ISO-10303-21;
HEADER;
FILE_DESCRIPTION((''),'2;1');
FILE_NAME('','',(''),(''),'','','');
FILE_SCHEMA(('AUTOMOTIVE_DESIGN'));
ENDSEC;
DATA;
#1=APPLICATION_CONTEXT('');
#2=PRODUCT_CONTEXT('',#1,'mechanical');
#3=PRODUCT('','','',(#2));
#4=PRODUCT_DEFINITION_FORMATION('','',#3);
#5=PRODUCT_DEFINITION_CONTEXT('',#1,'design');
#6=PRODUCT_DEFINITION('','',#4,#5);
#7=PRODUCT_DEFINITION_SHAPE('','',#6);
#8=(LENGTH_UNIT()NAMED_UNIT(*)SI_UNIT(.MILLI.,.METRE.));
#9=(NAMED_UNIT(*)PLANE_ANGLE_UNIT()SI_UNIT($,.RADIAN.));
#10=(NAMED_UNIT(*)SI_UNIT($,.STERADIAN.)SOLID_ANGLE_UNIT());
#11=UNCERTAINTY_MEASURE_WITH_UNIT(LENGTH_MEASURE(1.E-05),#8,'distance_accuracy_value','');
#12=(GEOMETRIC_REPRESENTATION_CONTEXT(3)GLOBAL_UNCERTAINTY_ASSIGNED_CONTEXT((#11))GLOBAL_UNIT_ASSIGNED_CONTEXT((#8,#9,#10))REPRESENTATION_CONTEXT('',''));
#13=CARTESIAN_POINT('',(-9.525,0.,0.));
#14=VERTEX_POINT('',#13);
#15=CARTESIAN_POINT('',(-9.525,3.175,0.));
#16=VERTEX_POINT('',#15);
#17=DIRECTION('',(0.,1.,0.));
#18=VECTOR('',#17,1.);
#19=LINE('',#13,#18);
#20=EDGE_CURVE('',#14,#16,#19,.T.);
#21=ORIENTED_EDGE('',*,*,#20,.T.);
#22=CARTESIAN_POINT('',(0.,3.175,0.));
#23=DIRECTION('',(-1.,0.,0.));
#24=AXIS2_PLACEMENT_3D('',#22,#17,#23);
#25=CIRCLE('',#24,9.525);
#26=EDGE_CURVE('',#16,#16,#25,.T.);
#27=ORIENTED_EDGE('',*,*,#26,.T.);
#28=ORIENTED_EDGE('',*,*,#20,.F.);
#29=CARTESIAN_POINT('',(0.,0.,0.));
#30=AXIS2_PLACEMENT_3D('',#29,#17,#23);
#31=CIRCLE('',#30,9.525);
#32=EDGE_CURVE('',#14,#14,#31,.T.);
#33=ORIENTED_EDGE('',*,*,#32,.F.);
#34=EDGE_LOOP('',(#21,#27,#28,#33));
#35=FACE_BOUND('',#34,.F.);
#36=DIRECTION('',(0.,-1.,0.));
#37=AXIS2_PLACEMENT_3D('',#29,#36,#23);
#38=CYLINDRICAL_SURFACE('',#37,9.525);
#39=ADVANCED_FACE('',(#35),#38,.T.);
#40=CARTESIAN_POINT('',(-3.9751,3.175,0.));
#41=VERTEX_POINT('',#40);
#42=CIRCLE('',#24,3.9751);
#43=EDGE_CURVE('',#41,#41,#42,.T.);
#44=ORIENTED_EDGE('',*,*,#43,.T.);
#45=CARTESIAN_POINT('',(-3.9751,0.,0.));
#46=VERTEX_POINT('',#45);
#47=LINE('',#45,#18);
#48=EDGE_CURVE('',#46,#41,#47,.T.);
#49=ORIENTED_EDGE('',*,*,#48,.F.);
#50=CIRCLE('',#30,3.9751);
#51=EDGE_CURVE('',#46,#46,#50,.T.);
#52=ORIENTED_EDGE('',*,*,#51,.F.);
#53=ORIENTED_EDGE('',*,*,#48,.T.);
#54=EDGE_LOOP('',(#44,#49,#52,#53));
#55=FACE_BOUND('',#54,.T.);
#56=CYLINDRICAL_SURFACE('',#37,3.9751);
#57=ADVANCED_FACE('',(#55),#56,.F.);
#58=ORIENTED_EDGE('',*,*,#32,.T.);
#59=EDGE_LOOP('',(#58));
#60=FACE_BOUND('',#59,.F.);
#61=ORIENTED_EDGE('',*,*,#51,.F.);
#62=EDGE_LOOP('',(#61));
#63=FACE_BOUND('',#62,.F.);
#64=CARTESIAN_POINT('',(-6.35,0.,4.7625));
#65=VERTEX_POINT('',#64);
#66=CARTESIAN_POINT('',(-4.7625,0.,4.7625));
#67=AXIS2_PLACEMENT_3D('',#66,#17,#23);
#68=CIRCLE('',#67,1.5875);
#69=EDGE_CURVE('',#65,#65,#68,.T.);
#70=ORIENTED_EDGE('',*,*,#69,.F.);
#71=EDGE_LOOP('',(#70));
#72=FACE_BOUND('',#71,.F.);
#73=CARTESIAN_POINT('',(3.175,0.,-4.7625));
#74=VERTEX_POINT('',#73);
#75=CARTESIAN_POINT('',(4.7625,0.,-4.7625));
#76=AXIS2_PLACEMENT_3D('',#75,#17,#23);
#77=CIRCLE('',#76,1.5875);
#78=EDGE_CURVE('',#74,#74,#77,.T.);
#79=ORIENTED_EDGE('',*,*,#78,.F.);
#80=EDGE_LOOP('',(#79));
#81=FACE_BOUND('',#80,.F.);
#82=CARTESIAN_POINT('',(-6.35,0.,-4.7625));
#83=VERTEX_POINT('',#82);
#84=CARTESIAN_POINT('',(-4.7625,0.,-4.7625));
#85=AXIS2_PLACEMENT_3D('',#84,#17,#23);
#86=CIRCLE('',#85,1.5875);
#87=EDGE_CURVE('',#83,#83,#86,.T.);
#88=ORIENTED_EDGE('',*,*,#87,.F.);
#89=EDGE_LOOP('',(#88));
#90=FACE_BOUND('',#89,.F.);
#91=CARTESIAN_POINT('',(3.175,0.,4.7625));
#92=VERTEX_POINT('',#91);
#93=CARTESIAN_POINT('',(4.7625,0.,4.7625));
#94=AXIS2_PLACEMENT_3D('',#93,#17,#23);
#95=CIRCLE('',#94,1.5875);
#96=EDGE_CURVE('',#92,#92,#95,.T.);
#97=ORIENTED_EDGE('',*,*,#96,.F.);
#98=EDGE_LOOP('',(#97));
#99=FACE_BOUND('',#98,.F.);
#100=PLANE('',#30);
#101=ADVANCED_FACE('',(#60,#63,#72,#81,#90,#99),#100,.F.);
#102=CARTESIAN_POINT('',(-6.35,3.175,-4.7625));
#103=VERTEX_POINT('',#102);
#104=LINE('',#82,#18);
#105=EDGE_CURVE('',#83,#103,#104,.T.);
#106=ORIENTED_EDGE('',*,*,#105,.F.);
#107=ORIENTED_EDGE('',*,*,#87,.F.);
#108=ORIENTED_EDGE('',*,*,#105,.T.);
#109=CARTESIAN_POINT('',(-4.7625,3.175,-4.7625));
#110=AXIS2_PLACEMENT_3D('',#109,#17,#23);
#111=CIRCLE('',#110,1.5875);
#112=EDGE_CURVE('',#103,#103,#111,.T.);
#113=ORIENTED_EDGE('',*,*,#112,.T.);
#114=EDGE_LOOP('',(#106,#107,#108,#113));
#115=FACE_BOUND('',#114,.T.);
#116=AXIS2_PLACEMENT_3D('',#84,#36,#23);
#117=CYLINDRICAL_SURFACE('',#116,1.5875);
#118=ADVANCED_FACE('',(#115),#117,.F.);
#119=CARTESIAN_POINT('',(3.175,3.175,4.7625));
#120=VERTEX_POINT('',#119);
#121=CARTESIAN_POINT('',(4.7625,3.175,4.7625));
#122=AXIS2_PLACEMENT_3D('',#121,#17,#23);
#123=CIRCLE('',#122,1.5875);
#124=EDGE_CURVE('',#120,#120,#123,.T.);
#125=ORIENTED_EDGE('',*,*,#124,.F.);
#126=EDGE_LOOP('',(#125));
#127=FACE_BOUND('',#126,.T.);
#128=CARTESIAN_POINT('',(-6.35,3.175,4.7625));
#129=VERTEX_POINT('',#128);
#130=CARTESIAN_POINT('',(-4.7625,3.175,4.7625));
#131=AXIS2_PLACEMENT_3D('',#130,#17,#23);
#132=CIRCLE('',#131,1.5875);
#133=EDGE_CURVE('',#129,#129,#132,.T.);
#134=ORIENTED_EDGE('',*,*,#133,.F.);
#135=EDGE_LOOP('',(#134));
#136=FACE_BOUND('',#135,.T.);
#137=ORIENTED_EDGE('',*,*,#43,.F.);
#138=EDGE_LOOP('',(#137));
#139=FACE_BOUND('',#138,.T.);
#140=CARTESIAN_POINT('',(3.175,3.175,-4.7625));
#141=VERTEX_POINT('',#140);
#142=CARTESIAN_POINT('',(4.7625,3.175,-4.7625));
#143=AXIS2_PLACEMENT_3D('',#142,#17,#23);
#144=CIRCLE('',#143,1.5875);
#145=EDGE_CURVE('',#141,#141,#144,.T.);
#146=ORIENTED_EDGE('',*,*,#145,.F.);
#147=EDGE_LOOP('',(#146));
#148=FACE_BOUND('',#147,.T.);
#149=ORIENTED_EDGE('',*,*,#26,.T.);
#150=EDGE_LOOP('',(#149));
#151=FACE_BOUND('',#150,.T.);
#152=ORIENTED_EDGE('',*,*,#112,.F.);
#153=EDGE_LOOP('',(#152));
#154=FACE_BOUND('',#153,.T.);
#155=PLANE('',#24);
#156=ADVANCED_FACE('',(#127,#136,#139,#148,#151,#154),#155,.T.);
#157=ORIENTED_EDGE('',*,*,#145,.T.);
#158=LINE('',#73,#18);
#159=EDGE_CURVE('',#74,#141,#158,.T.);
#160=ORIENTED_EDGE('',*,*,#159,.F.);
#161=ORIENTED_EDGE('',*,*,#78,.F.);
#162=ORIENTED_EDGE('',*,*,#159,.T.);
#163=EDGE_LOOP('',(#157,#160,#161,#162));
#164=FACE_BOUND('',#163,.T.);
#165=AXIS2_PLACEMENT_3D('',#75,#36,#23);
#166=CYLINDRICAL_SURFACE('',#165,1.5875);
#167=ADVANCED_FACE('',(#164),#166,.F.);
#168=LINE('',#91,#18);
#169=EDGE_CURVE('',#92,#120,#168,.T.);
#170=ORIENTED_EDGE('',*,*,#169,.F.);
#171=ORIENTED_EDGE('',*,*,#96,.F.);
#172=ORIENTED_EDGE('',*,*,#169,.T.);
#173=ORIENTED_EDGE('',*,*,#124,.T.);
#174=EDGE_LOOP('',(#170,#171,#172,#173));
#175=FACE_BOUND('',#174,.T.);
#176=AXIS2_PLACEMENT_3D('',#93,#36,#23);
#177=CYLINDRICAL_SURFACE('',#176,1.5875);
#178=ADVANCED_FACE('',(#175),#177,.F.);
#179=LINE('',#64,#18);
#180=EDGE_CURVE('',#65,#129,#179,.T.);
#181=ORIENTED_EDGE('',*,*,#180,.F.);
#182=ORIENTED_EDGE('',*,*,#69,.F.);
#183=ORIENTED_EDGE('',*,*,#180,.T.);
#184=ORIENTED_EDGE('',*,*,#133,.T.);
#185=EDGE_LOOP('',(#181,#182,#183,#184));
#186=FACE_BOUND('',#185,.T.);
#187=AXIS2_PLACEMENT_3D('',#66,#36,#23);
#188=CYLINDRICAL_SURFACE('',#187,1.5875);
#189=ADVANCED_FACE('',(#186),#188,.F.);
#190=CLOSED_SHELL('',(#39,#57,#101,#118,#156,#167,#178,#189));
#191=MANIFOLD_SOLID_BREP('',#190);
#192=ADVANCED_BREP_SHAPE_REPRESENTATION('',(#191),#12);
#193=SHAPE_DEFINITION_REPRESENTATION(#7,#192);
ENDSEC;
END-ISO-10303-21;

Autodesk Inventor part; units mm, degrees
ref_plane "YZ Plane" through (0, 0, 0) normal (1, 0, 0) x (0, 1, 0)
ref_plane "XZ Plane" through (0, 0, 0) normal (0, 1, 0) x (-1, 0, 0)
ref_plane "XY Plane" through (0, 0, 0) normal (0, 0, 1) x (1, 0, 0)
sketch "Sketch1" plane through (0, 0, 0) normal (0, 1, 0) x (-1, 0, 0)
  circle A0 centre (0, 0) radius 9.525
  circle A1 centre (0, 0) radius 3.9751
  circle A2 centre (4.7625, 4.7625) radius 1.5875
  circle A3 centre (-4.7625, 4.7625) radius 1.5875
  circle A4 centre (-4.7625, -4.7625) radius 1.5875
  circle A5 centre (4.7625, -4.7625) radius 1.5875
  dimension "d0" = 19.05
  dimension "d1" = 7.9502
  dimension "d2" = 3.175
  dimension "d5" = 360
extrude "Extrusion1" add sketch "Sketch1" along normal blind 3.175
properties part number "Flip up and down (shaft to motor ring)"
